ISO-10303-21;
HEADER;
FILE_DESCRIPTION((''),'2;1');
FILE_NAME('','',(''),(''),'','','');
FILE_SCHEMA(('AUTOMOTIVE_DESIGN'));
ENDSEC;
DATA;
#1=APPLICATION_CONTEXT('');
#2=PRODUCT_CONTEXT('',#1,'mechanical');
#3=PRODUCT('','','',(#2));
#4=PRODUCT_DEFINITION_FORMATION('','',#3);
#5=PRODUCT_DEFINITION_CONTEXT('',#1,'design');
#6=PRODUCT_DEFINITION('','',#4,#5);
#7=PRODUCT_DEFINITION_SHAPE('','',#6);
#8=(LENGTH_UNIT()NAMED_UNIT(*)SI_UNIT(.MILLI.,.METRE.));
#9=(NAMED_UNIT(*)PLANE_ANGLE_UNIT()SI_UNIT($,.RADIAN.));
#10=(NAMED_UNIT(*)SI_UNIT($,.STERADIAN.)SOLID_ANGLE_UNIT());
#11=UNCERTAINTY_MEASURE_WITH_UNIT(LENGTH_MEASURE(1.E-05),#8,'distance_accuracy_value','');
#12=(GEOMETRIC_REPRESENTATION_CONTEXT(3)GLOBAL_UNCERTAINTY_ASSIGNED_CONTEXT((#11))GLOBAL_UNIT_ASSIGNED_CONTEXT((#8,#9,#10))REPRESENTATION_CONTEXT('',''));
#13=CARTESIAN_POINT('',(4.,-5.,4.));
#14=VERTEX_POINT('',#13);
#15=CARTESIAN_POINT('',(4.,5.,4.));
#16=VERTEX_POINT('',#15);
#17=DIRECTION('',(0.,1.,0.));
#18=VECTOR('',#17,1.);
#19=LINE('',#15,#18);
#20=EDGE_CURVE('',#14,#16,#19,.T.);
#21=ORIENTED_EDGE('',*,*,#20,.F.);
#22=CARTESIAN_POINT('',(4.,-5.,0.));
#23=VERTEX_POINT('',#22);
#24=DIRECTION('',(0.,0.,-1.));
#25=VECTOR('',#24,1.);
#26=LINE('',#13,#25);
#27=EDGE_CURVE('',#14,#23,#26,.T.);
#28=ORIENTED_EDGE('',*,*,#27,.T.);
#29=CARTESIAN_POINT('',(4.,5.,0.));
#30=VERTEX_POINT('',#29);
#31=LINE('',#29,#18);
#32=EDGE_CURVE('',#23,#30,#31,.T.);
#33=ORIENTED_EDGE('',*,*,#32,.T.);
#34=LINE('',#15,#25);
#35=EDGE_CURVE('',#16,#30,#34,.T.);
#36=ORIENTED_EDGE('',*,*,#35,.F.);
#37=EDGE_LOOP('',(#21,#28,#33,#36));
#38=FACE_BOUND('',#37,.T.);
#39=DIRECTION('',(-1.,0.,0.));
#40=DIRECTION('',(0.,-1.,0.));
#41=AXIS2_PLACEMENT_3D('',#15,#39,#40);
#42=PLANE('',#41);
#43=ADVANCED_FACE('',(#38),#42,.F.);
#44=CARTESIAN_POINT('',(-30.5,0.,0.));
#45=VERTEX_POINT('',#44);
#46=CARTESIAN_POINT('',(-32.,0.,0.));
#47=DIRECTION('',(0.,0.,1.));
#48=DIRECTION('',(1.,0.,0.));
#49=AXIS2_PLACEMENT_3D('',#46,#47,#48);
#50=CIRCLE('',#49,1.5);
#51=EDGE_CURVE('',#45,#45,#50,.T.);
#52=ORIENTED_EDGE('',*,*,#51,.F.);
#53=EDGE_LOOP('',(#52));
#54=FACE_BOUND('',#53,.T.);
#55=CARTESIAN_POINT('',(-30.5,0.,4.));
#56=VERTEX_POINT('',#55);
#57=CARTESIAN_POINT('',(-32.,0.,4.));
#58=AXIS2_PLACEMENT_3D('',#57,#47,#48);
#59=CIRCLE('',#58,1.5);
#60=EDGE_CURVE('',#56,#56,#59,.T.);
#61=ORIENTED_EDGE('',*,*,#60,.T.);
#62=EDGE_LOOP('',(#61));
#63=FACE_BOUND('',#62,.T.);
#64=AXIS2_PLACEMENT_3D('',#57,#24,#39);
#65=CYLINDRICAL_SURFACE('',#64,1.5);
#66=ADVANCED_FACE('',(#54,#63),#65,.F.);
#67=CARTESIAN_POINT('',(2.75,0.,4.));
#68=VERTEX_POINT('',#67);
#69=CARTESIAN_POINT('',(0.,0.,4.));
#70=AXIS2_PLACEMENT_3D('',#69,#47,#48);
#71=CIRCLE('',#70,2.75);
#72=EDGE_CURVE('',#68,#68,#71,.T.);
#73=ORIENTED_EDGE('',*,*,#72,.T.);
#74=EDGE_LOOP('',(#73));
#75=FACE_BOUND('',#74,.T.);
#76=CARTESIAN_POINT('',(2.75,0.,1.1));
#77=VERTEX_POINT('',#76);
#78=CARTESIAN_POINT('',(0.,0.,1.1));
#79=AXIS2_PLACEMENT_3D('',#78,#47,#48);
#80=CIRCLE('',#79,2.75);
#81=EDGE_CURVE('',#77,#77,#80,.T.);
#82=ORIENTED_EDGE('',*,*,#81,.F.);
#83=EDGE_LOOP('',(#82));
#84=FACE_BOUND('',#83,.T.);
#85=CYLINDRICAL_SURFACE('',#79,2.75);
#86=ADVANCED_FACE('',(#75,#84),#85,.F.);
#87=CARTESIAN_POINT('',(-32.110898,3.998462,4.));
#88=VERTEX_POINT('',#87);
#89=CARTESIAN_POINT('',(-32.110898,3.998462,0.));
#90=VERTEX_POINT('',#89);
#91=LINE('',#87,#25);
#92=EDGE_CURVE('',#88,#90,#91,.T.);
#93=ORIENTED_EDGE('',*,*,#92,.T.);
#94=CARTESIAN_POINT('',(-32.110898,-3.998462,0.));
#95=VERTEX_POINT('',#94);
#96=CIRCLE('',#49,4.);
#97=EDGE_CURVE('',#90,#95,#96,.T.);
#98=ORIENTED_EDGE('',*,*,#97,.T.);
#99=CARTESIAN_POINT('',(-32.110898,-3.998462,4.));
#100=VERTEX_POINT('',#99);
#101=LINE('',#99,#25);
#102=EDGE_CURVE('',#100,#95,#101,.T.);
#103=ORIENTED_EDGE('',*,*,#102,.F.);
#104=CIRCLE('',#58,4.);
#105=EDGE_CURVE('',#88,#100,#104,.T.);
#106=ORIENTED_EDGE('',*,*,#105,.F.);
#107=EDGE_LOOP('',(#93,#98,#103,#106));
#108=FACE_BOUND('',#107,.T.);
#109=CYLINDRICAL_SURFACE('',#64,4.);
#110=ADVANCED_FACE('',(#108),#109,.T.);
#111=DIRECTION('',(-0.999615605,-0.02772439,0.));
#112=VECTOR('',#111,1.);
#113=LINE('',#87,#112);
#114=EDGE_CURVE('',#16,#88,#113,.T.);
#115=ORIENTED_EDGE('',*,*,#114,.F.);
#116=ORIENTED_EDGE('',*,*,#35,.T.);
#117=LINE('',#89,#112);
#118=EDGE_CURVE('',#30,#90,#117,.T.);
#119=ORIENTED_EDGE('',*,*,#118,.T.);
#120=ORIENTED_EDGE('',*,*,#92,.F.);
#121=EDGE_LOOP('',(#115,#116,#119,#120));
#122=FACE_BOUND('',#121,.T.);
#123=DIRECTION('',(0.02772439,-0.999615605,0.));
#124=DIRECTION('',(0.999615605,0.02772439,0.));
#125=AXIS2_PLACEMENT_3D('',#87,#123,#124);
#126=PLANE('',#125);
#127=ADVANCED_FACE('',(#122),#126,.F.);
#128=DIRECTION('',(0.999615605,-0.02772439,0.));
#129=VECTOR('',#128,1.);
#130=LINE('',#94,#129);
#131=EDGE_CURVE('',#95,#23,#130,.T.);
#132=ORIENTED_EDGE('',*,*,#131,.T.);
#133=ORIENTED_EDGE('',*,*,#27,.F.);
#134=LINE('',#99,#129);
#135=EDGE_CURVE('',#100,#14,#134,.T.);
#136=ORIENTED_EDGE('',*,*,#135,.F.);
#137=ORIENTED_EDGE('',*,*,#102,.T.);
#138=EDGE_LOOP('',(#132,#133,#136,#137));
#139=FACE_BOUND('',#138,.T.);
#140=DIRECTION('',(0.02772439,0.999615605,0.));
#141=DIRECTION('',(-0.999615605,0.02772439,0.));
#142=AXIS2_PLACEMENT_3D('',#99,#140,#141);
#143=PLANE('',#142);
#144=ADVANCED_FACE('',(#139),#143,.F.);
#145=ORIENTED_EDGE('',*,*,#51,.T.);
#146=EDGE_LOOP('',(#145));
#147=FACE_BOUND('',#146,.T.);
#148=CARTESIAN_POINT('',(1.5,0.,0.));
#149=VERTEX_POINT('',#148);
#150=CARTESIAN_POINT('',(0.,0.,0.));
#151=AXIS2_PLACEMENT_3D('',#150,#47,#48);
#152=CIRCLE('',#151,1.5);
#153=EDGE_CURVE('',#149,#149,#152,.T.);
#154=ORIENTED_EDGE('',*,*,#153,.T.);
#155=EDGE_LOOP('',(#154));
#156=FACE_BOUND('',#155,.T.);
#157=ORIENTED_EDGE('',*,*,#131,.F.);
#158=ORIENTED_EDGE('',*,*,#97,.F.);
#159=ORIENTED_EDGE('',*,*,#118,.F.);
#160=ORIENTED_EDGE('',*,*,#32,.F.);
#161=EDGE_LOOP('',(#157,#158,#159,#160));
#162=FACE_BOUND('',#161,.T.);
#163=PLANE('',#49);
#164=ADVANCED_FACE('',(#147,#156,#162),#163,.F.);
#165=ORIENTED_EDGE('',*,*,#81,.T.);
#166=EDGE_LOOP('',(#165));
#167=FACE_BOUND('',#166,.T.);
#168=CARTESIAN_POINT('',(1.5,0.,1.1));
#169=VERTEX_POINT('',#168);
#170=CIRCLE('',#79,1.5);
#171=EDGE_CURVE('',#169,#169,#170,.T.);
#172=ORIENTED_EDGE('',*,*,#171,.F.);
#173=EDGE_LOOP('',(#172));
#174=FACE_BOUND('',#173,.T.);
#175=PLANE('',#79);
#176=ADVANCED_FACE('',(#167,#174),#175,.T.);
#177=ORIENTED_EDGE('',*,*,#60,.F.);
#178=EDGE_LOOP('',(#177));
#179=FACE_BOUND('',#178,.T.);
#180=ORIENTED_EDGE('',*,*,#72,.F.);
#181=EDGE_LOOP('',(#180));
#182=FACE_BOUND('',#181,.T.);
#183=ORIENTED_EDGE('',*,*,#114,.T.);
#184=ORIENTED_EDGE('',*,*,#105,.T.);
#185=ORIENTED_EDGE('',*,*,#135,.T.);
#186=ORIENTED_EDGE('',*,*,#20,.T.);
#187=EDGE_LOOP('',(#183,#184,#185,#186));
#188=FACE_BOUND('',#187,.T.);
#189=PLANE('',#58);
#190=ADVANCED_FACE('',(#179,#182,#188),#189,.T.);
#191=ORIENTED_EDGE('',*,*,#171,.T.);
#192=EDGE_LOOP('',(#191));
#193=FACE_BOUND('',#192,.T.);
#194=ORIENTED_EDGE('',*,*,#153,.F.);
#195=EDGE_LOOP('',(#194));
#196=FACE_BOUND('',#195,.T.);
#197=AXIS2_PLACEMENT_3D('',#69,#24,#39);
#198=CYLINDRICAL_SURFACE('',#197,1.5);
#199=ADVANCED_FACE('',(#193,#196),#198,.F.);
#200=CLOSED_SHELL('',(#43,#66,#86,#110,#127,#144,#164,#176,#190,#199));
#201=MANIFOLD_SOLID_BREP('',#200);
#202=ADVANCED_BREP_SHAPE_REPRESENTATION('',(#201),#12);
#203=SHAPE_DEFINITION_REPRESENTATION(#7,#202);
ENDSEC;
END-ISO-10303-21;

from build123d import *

# Parameters (mm, degrees)
SKETCH_1_R          = 1.5
EXTRUDE_1_DEPTH     = 4
SKETCH_2_R          = 2.75
CUT_EXTRUDE_1_DEPTH = 2.9


with BuildPart() as part:
    # 草图1 → 凸台-拉伸1 (new body)
    with BuildSketch(Plane.XY):
        with BuildLine():
            Line((-32.110897558, 3.998462421), (4, 5))
            Line((4, 5), (4, -5))
            Line((4, -5), (-32.110897558, -3.998462421))
            ThreePointArc((-32.110897558, -3.998462421), (-36, 0), (-32.110897558, 3.998462421))
        make_face()
        Circle(SKETCH_1_R, mode=Mode.SUBTRACT)
        with Locations((-32, 0)):
            Circle(SKETCH_1_R, mode=Mode.SUBTRACT)
    extrude(amount=EXTRUDE_1_DEPTH)

    # 草图2 → 切除-拉伸1 (cut)
    with BuildSketch(Plane.XY.offset(4)):
        Circle(SKETCH_2_R)
    extrude(amount=-CUT_EXTRUDE_1_DEPTH, mode=Mode.SUBTRACT)


solid = part.part
